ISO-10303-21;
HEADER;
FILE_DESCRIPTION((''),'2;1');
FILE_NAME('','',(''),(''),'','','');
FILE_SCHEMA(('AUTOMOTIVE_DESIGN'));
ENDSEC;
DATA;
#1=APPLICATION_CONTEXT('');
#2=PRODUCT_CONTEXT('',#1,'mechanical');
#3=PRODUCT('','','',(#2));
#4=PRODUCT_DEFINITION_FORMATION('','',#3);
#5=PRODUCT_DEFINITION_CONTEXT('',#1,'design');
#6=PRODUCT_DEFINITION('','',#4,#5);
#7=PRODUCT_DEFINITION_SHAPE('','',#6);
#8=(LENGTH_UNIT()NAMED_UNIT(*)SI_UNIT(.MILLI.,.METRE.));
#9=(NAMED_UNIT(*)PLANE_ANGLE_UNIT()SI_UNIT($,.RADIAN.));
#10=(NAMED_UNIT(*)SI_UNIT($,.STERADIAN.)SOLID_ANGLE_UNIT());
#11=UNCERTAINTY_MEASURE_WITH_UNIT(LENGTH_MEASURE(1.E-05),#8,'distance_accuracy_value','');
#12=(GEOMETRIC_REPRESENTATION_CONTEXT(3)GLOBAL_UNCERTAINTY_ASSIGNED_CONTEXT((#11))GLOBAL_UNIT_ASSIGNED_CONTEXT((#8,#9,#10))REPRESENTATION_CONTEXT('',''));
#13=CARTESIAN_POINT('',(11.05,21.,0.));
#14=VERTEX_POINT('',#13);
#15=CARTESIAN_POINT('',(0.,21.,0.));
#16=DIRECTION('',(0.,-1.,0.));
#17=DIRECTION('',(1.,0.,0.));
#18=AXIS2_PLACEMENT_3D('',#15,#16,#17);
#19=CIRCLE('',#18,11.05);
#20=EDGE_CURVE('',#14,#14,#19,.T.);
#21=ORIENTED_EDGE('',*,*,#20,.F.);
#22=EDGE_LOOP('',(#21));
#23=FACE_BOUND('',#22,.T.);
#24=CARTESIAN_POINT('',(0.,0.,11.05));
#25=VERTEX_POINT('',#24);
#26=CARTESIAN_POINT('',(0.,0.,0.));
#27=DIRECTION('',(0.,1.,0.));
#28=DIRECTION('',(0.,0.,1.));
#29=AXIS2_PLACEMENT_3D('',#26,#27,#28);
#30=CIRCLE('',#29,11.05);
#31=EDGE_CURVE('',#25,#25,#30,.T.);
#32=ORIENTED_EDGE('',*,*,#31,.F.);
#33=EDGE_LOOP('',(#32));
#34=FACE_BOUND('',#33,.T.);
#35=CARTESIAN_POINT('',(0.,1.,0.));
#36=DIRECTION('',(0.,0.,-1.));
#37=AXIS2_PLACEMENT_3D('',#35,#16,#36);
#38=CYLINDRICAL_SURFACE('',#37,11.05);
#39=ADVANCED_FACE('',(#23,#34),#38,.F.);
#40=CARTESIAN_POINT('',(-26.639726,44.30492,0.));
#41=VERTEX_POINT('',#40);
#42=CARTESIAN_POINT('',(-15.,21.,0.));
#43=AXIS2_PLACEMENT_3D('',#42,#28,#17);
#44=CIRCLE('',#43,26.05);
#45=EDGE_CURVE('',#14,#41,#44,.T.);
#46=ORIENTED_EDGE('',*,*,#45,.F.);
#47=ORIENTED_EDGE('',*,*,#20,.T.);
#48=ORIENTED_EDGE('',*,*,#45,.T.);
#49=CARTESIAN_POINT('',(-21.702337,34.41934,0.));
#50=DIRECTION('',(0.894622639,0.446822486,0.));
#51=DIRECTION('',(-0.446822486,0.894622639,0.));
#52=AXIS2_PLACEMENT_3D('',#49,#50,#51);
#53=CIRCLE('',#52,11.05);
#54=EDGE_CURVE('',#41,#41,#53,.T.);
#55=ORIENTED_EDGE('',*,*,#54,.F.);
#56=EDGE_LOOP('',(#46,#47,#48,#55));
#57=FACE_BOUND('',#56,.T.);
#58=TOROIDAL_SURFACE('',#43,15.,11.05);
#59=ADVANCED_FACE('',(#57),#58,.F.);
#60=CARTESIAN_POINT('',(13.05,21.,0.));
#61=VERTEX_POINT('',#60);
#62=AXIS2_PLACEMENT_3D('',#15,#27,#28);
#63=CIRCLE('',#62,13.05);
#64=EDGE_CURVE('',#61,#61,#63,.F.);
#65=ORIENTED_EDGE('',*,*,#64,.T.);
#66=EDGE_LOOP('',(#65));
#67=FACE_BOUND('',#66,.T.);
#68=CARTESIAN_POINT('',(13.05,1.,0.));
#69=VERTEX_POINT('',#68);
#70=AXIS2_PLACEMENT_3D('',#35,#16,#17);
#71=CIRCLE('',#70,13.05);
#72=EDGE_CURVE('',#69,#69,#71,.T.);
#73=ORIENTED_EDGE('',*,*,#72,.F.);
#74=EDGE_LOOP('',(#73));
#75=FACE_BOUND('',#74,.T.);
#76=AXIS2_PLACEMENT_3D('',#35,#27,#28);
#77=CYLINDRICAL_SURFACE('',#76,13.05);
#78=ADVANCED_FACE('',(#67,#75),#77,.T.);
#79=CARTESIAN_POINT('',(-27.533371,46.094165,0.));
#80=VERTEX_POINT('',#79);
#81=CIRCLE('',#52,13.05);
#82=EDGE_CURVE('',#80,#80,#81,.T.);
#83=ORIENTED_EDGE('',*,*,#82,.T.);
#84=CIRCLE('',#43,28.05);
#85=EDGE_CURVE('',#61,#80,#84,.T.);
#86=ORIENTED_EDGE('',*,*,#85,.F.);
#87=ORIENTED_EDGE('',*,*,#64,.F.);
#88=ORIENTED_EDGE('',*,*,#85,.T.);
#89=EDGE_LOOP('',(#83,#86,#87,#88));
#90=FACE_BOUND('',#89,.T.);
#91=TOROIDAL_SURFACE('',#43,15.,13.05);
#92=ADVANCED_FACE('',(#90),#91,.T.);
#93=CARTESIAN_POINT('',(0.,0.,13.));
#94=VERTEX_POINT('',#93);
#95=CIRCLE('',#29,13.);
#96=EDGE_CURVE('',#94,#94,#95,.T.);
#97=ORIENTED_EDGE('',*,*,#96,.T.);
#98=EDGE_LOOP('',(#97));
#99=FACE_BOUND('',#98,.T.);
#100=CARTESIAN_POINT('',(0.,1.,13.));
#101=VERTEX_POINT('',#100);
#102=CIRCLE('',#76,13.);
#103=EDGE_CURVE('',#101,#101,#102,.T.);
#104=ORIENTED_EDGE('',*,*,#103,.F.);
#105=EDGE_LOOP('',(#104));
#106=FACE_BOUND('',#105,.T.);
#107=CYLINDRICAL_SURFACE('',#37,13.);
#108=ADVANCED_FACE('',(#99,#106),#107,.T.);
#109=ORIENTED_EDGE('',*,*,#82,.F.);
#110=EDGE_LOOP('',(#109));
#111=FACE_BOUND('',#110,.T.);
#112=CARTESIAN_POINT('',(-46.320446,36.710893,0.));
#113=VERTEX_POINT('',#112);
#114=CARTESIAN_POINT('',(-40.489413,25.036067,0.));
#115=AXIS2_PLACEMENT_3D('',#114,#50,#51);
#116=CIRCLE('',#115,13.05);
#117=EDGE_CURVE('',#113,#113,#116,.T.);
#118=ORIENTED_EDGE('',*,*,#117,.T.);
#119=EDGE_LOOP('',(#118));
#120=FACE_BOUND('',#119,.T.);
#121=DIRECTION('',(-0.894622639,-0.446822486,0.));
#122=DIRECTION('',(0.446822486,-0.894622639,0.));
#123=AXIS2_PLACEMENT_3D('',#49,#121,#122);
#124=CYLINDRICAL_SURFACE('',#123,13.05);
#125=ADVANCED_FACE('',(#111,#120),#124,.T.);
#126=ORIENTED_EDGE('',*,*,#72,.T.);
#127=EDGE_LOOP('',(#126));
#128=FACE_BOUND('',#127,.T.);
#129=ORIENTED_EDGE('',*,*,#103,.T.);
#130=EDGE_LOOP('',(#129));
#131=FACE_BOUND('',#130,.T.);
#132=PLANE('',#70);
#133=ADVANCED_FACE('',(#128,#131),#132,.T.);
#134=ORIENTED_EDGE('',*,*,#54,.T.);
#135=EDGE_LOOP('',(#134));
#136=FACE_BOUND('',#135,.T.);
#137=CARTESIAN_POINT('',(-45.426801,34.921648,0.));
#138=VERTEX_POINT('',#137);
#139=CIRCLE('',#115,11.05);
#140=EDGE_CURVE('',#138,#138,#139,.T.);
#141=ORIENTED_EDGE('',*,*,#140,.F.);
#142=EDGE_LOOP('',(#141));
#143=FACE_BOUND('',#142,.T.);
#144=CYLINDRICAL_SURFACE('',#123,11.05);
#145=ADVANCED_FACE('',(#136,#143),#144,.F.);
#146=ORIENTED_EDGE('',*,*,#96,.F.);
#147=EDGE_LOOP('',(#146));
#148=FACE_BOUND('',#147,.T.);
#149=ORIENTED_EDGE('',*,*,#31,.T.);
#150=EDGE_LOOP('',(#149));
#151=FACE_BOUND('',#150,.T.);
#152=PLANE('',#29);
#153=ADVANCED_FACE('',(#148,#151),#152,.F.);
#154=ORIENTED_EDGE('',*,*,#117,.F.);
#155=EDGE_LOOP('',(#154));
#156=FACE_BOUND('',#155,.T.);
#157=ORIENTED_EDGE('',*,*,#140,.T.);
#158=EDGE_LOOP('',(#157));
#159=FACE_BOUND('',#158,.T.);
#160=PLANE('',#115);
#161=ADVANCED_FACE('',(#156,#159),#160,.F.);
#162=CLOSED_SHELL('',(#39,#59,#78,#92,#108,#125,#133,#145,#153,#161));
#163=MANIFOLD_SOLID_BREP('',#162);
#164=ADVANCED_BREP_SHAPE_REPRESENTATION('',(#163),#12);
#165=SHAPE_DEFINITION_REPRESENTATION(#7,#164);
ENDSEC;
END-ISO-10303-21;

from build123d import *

# Parameters (mm, degrees)
CROQUIS1_R                 = 13
CROQUIS1_R_2               = 11.05
SALIENTE_EXTRUIR1_DEPTH    = 1
BARRER_L_MINA1_PROFILE_R   = 13.05
BARRER_L_MINA1_PROFILE_R_2 = 11.05


with BuildPart() as part:
    # Croquis1 → Saliente-Extruir1 (new body)
    with BuildSketch(Plane(origin=(0, 0, 0), x_dir=(1, 0, 0), z_dir=(0, 1, 0))):
        with Locations(Location((0, 0, 0), (0, 0, 270))):
            Circle(CROQUIS1_R)
        with Locations(Location((0, 0, 0), (0, 0, 270))):
            Circle(CROQUIS1_R_2, mode=Mode.SUBTRACT)
    extrude(amount=SALIENTE_EXTRUIR1_DEPTH)

    # Barrer-L_mina1: sweep along a path in Croquis2
    with BuildLine(Plane.XY) as barrer_l_mina1_path:
        Line((0, 1), (0, 21))
        ThreePointArc((0, 21), (-7.11124406, 33.758037847), (-21.702337296, 34.41933958))
        Line((-21.702337296, 34.41933958), (-40.489412708, 25.036067367))
    # Barrer-L_mina1 profile (on start of the path) → Barrer-L_mina1 (sweep)
    with BuildSketch(Plane.ZX.offset(1)):
        Circle(BARRER_L_MINA1_PROFILE_R)
        Circle(BARRER_L_MINA1_PROFILE_R_2, mode=Mode.SUBTRACT)
    sweep(path=barrer_l_mina1_path.line)


solid = part.part
